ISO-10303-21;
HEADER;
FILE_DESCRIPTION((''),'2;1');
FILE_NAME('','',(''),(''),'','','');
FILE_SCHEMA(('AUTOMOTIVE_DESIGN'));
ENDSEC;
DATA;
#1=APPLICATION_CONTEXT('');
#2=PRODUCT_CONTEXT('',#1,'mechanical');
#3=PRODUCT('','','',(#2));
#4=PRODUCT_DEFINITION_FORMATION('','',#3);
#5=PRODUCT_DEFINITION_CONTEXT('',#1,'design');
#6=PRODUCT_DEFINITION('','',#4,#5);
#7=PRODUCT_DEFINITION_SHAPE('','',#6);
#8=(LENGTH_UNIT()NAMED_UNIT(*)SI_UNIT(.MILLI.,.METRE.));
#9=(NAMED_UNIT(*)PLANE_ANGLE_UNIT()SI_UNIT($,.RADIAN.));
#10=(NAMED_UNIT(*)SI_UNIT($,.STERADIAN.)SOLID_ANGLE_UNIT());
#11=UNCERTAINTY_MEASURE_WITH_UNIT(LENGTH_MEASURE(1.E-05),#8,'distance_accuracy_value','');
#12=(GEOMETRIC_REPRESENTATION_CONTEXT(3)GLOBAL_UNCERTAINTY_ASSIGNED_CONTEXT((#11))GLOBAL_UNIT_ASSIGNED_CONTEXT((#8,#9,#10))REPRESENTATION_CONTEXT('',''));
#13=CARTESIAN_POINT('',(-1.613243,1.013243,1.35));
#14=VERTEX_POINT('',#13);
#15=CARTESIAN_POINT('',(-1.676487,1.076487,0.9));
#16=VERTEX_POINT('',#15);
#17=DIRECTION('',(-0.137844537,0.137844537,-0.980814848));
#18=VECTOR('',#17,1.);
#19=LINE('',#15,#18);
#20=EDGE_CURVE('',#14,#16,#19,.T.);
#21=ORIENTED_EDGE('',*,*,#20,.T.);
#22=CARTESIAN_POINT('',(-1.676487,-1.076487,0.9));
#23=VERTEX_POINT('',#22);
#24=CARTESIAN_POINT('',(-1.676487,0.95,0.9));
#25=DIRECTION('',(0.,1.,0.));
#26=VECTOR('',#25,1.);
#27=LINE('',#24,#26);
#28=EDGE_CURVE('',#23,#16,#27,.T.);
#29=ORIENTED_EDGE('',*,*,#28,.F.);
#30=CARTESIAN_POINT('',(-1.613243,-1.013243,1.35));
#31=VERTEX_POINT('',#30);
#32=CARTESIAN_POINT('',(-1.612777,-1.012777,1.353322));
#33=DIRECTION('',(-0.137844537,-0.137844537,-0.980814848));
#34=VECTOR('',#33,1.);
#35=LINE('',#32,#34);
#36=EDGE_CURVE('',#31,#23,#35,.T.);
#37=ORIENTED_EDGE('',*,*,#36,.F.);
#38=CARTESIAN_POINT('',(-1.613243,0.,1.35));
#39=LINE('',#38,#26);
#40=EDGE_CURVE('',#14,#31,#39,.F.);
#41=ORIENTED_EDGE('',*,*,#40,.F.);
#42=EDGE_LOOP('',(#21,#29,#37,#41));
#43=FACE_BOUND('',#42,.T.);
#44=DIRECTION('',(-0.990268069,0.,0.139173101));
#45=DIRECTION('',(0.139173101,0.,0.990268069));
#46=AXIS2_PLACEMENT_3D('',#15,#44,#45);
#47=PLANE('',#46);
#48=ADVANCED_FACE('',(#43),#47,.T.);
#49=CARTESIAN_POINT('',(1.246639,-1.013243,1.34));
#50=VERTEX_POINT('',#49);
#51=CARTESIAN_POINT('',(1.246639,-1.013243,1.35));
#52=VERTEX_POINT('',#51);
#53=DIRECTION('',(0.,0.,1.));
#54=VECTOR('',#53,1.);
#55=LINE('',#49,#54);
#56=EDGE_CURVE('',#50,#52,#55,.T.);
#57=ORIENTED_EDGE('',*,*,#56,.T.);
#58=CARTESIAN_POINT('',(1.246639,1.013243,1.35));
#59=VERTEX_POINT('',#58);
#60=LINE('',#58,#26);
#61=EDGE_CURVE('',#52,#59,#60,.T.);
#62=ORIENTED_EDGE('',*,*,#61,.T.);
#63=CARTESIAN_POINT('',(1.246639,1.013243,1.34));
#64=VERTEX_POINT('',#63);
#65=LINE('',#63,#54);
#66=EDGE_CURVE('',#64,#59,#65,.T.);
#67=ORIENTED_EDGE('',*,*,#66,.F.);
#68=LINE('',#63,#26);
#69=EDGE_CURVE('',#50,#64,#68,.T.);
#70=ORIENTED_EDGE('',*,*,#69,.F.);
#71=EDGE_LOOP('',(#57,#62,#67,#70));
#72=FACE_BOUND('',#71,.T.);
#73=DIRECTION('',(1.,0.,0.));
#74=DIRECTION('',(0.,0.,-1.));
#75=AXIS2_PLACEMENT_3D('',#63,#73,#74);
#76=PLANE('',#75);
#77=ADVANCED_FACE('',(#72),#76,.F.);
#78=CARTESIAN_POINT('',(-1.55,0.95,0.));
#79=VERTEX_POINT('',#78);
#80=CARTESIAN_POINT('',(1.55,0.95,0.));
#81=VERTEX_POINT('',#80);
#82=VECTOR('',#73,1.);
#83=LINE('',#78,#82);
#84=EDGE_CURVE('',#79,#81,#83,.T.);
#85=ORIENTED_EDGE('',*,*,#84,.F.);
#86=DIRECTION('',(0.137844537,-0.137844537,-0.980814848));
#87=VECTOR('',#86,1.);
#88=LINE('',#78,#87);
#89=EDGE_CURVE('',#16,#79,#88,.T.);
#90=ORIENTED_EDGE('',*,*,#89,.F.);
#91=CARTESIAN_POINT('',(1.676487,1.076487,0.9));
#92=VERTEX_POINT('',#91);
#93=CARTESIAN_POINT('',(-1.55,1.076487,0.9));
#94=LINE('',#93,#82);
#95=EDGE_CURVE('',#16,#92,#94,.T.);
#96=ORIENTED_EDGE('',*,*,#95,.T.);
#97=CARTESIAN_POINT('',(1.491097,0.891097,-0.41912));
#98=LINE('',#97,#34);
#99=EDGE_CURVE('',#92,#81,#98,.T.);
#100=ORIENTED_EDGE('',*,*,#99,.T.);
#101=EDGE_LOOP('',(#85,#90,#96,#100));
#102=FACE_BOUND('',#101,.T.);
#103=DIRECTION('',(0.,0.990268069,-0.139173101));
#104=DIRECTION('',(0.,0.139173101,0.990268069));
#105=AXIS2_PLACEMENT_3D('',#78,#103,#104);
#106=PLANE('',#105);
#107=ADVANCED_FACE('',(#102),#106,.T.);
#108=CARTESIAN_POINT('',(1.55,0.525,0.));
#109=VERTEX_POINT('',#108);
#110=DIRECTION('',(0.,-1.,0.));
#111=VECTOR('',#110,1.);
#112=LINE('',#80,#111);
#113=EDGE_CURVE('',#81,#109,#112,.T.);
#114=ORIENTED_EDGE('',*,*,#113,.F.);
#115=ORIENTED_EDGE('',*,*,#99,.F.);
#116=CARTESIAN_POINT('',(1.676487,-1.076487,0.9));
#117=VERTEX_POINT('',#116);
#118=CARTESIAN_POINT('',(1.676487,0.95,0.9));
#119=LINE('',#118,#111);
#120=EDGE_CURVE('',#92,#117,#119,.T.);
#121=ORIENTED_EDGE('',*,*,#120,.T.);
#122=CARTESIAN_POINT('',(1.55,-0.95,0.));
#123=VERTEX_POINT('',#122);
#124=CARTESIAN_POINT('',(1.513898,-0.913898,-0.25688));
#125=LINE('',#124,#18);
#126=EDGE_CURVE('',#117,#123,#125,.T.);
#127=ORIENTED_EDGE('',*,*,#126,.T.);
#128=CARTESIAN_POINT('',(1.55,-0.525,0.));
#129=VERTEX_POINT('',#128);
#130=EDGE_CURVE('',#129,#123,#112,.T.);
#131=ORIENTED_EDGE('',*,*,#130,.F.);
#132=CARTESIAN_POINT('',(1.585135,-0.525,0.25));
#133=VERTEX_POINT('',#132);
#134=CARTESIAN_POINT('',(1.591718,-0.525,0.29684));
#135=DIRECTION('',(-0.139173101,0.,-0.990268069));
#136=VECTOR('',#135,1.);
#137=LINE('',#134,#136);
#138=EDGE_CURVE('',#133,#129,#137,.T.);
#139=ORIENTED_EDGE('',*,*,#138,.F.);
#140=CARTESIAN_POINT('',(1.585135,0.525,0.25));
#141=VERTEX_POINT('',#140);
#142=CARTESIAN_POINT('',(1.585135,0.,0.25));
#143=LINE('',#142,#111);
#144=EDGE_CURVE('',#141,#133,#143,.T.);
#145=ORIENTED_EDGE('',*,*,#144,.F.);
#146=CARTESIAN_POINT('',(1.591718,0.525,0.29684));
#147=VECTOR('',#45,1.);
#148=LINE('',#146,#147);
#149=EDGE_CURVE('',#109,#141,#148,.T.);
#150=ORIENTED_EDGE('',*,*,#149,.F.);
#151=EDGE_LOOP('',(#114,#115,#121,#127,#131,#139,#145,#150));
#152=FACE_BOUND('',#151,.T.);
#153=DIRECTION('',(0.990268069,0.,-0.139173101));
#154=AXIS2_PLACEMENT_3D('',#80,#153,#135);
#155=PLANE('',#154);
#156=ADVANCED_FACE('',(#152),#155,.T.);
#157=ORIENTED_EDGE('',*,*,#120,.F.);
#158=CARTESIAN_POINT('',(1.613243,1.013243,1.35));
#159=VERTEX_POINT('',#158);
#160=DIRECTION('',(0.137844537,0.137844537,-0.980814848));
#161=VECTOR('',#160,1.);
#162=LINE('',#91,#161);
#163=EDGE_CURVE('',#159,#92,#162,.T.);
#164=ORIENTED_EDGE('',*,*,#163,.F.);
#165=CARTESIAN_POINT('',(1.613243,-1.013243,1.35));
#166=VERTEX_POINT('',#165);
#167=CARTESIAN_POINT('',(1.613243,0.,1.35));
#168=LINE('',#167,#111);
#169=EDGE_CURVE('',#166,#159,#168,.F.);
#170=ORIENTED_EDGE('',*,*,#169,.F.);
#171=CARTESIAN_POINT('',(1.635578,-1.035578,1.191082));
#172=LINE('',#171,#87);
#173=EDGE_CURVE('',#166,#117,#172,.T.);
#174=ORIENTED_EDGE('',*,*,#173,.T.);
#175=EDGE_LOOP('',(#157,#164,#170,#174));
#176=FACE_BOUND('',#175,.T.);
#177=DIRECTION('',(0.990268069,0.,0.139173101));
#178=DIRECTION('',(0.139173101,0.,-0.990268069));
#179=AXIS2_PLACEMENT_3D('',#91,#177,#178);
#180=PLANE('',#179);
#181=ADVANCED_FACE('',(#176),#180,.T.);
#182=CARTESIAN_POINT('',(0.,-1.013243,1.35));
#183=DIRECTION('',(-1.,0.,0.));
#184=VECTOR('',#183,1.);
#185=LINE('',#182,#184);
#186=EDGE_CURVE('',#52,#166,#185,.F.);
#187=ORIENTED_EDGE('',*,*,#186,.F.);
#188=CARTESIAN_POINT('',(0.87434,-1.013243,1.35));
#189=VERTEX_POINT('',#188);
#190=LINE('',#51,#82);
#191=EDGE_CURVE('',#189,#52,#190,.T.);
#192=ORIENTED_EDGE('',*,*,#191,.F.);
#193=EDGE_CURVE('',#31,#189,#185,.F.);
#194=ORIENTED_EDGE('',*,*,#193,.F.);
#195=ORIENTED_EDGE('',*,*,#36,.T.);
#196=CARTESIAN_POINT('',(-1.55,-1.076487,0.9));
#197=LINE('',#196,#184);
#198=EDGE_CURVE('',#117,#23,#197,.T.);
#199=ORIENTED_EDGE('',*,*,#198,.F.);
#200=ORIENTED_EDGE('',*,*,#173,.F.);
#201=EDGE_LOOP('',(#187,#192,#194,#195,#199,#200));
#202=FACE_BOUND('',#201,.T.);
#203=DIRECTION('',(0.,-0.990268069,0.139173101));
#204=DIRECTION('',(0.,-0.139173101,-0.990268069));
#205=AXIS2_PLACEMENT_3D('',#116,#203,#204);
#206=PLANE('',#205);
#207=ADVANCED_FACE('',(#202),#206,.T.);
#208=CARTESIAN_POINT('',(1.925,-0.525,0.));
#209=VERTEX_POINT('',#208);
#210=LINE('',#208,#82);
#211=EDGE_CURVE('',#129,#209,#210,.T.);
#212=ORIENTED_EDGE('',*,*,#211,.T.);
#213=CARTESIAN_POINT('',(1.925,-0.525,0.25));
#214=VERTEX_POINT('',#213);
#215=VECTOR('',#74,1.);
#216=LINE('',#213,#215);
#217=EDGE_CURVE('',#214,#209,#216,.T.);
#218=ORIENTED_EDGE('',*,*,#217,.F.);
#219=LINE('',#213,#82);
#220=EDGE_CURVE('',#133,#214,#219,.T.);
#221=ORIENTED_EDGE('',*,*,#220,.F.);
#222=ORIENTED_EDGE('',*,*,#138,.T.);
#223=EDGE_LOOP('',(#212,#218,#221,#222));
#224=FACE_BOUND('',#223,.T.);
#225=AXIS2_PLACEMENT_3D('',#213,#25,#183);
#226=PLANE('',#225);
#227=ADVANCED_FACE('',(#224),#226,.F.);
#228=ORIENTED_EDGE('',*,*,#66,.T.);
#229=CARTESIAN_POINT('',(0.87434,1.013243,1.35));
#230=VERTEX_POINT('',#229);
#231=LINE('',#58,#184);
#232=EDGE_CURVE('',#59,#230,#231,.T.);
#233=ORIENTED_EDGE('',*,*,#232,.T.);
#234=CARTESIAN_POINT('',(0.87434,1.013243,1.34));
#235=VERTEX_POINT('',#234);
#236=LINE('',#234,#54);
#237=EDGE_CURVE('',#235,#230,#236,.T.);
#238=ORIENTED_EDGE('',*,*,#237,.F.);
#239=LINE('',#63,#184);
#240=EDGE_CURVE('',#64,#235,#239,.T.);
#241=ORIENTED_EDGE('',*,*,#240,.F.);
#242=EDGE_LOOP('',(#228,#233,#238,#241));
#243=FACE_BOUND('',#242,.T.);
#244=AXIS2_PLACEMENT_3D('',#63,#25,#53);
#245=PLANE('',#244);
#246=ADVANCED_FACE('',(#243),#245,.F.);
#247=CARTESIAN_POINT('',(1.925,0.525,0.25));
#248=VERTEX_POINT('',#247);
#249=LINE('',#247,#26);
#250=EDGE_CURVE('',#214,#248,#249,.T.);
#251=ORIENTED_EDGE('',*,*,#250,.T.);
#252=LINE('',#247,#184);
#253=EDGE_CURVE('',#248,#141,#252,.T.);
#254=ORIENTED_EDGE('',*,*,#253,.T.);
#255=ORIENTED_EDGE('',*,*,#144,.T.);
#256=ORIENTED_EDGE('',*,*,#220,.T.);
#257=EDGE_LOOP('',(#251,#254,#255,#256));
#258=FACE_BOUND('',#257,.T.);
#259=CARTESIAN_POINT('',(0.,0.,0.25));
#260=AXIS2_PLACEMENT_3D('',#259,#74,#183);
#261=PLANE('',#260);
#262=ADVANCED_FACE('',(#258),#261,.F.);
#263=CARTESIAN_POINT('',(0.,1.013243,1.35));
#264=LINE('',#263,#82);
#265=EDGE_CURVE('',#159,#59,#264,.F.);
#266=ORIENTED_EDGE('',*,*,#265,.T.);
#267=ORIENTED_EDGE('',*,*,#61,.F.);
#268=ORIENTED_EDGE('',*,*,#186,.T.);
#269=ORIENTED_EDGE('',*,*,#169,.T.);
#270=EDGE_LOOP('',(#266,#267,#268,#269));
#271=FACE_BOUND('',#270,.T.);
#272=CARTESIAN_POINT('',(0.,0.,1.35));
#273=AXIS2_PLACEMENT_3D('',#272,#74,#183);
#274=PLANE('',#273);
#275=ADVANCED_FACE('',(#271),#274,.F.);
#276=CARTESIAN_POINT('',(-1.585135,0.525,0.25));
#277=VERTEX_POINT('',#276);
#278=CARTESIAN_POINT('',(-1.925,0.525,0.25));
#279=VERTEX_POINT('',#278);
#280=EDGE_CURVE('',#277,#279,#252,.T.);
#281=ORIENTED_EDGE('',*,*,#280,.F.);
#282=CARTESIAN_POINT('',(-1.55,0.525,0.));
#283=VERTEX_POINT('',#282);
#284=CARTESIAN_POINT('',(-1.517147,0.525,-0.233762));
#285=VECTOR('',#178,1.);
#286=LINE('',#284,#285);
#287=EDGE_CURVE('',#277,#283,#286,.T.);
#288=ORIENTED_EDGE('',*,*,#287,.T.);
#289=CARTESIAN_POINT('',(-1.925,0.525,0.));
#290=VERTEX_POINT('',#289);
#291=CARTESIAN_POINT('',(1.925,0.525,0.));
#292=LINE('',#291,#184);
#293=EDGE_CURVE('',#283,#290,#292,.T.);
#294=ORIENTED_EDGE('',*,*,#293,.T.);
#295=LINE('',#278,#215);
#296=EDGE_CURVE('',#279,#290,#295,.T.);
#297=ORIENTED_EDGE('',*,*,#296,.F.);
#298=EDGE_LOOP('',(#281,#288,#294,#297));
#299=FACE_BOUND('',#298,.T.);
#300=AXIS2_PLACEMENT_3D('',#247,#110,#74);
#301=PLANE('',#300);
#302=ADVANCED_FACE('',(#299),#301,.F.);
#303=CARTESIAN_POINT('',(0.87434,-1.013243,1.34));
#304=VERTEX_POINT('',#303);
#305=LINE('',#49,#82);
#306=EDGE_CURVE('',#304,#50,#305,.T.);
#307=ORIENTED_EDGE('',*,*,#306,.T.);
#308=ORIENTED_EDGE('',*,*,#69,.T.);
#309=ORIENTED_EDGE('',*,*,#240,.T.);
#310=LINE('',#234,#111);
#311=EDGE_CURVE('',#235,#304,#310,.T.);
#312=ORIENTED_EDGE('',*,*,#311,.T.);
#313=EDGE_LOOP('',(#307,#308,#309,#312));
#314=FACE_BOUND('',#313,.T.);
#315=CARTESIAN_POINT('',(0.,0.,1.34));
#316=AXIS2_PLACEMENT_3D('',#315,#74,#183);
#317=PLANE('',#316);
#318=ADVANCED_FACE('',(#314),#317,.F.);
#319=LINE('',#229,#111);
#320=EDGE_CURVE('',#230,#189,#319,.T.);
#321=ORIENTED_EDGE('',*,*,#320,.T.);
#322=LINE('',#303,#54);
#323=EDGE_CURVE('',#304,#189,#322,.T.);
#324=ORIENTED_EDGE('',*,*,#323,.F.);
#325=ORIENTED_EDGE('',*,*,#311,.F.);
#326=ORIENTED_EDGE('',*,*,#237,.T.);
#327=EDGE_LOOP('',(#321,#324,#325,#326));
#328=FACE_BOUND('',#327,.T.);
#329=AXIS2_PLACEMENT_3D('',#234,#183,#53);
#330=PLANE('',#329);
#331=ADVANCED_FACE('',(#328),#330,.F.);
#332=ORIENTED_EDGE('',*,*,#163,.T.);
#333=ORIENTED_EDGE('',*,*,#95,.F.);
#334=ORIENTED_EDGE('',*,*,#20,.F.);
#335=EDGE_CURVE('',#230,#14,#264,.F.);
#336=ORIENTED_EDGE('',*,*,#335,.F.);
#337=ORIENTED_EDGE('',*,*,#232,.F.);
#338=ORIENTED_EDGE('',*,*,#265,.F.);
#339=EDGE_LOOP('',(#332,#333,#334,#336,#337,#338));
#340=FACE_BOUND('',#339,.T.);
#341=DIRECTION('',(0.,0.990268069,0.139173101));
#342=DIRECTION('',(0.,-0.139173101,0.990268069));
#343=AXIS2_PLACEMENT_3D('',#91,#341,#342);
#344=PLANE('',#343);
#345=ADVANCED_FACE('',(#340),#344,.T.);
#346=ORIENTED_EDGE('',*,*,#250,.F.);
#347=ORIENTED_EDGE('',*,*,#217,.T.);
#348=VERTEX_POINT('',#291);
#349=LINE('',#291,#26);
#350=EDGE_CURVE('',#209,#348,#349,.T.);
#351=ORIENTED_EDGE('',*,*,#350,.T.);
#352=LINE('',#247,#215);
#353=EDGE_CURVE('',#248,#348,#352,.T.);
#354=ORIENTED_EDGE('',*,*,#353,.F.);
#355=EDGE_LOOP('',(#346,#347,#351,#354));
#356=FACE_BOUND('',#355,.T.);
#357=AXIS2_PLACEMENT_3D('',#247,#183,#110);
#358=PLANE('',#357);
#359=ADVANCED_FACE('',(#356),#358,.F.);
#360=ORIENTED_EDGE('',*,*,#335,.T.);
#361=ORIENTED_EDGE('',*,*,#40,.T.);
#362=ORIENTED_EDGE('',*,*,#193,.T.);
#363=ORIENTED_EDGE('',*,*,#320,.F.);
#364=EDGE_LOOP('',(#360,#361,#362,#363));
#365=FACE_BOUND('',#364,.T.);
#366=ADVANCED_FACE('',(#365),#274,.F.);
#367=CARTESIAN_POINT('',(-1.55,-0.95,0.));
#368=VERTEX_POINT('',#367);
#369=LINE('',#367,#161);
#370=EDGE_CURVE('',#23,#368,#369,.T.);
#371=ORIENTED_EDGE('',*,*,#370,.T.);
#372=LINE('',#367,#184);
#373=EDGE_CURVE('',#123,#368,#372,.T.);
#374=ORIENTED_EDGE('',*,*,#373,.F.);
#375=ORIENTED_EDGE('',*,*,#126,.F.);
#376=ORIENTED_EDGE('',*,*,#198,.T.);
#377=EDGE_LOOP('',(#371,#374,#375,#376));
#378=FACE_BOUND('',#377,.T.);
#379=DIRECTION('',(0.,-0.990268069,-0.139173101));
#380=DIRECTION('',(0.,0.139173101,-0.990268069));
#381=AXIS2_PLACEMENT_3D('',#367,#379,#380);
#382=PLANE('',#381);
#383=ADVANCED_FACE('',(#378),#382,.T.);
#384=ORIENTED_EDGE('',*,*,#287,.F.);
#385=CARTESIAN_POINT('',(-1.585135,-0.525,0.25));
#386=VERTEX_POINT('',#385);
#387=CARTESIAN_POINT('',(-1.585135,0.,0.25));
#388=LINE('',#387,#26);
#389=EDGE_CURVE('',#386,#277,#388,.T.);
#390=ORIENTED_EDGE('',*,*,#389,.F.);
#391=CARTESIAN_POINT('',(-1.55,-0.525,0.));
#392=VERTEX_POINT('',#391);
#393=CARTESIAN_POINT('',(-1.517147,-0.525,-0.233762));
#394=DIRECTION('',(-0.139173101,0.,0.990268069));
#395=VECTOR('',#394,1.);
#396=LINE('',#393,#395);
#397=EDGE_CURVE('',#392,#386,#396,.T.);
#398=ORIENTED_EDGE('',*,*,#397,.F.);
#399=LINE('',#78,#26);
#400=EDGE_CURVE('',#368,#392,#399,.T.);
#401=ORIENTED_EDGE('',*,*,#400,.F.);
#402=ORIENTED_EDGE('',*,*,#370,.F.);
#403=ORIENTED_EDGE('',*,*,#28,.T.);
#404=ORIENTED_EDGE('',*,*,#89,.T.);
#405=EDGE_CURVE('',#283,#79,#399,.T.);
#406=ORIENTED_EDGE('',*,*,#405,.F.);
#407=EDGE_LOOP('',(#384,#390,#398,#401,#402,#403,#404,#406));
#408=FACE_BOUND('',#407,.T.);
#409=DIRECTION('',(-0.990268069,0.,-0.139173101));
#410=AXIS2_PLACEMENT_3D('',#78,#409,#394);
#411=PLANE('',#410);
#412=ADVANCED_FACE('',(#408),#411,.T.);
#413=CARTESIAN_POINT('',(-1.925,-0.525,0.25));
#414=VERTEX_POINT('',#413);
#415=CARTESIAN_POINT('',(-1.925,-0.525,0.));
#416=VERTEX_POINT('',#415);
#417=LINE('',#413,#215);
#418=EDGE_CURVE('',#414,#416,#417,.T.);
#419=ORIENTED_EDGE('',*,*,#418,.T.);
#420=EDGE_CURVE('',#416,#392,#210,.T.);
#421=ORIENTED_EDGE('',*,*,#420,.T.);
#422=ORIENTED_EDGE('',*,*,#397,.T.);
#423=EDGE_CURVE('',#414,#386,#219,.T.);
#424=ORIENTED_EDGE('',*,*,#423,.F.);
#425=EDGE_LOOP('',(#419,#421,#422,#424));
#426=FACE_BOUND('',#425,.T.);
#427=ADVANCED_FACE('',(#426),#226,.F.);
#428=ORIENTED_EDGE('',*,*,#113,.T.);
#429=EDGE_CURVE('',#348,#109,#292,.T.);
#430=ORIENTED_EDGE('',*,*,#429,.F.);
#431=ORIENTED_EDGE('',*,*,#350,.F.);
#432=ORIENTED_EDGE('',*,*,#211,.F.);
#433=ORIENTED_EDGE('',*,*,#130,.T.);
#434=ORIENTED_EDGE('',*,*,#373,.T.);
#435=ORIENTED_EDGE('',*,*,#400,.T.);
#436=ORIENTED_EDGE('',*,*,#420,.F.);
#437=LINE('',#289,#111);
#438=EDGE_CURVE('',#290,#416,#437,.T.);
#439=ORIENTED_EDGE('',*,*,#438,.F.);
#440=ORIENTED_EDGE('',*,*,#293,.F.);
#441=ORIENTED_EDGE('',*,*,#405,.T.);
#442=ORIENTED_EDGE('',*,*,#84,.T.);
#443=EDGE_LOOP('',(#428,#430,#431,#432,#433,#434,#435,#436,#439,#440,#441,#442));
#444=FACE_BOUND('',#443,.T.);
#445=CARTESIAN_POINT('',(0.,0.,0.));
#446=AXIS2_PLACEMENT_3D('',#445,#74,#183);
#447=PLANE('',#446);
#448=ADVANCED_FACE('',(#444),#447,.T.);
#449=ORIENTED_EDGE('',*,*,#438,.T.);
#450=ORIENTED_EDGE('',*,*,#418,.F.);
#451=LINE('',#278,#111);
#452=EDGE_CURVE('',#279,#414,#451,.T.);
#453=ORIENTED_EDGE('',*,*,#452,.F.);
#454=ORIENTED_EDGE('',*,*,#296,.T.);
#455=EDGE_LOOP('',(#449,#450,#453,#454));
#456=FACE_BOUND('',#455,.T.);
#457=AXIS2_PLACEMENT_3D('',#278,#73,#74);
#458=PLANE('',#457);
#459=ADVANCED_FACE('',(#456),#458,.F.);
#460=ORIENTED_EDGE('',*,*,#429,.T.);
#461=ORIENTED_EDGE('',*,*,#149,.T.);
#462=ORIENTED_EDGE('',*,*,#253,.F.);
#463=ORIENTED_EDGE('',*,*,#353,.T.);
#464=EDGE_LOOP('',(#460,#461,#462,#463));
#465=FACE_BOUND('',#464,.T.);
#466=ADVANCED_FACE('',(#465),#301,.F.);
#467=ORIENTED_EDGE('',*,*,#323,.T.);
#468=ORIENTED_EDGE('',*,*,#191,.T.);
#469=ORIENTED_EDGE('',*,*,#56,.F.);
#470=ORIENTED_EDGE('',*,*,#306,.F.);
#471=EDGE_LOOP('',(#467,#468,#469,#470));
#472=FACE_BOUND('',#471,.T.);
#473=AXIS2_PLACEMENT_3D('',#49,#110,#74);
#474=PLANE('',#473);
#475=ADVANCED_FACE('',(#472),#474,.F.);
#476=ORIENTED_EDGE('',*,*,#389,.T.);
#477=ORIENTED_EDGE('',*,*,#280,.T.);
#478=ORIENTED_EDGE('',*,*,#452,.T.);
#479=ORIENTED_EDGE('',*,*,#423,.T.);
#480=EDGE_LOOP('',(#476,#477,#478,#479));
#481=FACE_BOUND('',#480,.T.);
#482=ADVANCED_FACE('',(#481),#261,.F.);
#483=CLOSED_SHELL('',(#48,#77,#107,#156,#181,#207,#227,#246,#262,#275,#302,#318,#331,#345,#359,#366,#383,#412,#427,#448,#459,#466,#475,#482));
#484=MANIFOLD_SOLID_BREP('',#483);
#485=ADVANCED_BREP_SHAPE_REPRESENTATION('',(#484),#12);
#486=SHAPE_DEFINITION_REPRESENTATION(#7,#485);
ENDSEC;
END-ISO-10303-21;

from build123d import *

# Parameters (mm, degrees)
CROQUIS1_W              = 3.85
CROQUIS1_H              = 1.05
SALIENTE_EXTRUIR1_DEPTH = 0.25
CROQUIS2_W              = 3.1
CROQUIS2_H              = 1.9
SALIENTE_EXTRUIR2_DEPTH = 0.9
SALIENTE_EXTRUIR2_DRAFT = 8
CROQUIS3_W              = 3.352973502
CROQUIS3_H              = 2.152973502
SALIENTE_EXTRUIR3_DEPTH = 0.45
SALIENTE_EXTRUIR3_TAPER = 8
CROQUIS4_W              = 0.372299527
CROQUIS4_H              = 2.026486752
CORTAR_EXTRUIR1_DEPTH   = 0.01


with BuildPart() as part:
    # Croquis1 → Saliente-Extruir1 (new body)
    with BuildSketch(Plane.XY):
        Rectangle(CROQUIS1_W, CROQUIS1_H)
    extrude(amount=SALIENTE_EXTRUIR1_DEPTH)


with BuildPart() as saliente_extruir2_tool:
    # Croquis2 → Saliente-Extruir2 (with draft: the straight prism first)
    with BuildSketch(Plane(origin=(0, 0, 0), x_dir=(-1, 0, 0), z_dir=(0, 0, -1))):
        Rectangle(CROQUIS2_W, CROQUIS2_H)
    extrude(amount=-SALIENTE_EXTRUIR2_DEPTH)
    # Saliente-Extruir2: the draft: its side faces are tilted about the plane it starts from
    saliente_extruir2_sides = [saliente_extruir2_tool.faces().sort_by_distance(p)[0] for p in [
        (0, 0.95, 0.45),
        (1.55, 0, 0.45),
        (0, -0.95, 0.45),
        (-1.55, 0, 0.45),
    ]]
    draft(saliente_extruir2_sides, Plane(origin=(0, 0, 0), x_dir=(-1, 0, 0), z_dir=(0, 0, -1)), SALIENTE_EXTRUIR2_DRAFT)


with BuildPart() as part_1:
    add(part.part)

    # Saliente-Extruir2: add saliente_extruir2_tool
    add(saliente_extruir2_tool.part)

    # Croquis3 → Saliente-Extruir3 (add)
    with BuildSketch(Plane.XY.offset(0.9)):
        Rectangle(CROQUIS3_W, CROQUIS3_H)
    extrude(amount=SALIENTE_EXTRUIR3_DEPTH, taper=SALIENTE_EXTRUIR3_TAPER)

    # Croquis4 → Cortar-Extruir1 (cut)
    with BuildSketch(Plane.XY.offset(1.35)):
        with Locations((1.060489564, 0)):
            Rectangle(CROQUIS4_W, CROQUIS4_H)
    extrude(amount=-CORTAR_EXTRUIR1_DEPTH, mode=Mode.SUBTRACT)


solid = part_1.part
